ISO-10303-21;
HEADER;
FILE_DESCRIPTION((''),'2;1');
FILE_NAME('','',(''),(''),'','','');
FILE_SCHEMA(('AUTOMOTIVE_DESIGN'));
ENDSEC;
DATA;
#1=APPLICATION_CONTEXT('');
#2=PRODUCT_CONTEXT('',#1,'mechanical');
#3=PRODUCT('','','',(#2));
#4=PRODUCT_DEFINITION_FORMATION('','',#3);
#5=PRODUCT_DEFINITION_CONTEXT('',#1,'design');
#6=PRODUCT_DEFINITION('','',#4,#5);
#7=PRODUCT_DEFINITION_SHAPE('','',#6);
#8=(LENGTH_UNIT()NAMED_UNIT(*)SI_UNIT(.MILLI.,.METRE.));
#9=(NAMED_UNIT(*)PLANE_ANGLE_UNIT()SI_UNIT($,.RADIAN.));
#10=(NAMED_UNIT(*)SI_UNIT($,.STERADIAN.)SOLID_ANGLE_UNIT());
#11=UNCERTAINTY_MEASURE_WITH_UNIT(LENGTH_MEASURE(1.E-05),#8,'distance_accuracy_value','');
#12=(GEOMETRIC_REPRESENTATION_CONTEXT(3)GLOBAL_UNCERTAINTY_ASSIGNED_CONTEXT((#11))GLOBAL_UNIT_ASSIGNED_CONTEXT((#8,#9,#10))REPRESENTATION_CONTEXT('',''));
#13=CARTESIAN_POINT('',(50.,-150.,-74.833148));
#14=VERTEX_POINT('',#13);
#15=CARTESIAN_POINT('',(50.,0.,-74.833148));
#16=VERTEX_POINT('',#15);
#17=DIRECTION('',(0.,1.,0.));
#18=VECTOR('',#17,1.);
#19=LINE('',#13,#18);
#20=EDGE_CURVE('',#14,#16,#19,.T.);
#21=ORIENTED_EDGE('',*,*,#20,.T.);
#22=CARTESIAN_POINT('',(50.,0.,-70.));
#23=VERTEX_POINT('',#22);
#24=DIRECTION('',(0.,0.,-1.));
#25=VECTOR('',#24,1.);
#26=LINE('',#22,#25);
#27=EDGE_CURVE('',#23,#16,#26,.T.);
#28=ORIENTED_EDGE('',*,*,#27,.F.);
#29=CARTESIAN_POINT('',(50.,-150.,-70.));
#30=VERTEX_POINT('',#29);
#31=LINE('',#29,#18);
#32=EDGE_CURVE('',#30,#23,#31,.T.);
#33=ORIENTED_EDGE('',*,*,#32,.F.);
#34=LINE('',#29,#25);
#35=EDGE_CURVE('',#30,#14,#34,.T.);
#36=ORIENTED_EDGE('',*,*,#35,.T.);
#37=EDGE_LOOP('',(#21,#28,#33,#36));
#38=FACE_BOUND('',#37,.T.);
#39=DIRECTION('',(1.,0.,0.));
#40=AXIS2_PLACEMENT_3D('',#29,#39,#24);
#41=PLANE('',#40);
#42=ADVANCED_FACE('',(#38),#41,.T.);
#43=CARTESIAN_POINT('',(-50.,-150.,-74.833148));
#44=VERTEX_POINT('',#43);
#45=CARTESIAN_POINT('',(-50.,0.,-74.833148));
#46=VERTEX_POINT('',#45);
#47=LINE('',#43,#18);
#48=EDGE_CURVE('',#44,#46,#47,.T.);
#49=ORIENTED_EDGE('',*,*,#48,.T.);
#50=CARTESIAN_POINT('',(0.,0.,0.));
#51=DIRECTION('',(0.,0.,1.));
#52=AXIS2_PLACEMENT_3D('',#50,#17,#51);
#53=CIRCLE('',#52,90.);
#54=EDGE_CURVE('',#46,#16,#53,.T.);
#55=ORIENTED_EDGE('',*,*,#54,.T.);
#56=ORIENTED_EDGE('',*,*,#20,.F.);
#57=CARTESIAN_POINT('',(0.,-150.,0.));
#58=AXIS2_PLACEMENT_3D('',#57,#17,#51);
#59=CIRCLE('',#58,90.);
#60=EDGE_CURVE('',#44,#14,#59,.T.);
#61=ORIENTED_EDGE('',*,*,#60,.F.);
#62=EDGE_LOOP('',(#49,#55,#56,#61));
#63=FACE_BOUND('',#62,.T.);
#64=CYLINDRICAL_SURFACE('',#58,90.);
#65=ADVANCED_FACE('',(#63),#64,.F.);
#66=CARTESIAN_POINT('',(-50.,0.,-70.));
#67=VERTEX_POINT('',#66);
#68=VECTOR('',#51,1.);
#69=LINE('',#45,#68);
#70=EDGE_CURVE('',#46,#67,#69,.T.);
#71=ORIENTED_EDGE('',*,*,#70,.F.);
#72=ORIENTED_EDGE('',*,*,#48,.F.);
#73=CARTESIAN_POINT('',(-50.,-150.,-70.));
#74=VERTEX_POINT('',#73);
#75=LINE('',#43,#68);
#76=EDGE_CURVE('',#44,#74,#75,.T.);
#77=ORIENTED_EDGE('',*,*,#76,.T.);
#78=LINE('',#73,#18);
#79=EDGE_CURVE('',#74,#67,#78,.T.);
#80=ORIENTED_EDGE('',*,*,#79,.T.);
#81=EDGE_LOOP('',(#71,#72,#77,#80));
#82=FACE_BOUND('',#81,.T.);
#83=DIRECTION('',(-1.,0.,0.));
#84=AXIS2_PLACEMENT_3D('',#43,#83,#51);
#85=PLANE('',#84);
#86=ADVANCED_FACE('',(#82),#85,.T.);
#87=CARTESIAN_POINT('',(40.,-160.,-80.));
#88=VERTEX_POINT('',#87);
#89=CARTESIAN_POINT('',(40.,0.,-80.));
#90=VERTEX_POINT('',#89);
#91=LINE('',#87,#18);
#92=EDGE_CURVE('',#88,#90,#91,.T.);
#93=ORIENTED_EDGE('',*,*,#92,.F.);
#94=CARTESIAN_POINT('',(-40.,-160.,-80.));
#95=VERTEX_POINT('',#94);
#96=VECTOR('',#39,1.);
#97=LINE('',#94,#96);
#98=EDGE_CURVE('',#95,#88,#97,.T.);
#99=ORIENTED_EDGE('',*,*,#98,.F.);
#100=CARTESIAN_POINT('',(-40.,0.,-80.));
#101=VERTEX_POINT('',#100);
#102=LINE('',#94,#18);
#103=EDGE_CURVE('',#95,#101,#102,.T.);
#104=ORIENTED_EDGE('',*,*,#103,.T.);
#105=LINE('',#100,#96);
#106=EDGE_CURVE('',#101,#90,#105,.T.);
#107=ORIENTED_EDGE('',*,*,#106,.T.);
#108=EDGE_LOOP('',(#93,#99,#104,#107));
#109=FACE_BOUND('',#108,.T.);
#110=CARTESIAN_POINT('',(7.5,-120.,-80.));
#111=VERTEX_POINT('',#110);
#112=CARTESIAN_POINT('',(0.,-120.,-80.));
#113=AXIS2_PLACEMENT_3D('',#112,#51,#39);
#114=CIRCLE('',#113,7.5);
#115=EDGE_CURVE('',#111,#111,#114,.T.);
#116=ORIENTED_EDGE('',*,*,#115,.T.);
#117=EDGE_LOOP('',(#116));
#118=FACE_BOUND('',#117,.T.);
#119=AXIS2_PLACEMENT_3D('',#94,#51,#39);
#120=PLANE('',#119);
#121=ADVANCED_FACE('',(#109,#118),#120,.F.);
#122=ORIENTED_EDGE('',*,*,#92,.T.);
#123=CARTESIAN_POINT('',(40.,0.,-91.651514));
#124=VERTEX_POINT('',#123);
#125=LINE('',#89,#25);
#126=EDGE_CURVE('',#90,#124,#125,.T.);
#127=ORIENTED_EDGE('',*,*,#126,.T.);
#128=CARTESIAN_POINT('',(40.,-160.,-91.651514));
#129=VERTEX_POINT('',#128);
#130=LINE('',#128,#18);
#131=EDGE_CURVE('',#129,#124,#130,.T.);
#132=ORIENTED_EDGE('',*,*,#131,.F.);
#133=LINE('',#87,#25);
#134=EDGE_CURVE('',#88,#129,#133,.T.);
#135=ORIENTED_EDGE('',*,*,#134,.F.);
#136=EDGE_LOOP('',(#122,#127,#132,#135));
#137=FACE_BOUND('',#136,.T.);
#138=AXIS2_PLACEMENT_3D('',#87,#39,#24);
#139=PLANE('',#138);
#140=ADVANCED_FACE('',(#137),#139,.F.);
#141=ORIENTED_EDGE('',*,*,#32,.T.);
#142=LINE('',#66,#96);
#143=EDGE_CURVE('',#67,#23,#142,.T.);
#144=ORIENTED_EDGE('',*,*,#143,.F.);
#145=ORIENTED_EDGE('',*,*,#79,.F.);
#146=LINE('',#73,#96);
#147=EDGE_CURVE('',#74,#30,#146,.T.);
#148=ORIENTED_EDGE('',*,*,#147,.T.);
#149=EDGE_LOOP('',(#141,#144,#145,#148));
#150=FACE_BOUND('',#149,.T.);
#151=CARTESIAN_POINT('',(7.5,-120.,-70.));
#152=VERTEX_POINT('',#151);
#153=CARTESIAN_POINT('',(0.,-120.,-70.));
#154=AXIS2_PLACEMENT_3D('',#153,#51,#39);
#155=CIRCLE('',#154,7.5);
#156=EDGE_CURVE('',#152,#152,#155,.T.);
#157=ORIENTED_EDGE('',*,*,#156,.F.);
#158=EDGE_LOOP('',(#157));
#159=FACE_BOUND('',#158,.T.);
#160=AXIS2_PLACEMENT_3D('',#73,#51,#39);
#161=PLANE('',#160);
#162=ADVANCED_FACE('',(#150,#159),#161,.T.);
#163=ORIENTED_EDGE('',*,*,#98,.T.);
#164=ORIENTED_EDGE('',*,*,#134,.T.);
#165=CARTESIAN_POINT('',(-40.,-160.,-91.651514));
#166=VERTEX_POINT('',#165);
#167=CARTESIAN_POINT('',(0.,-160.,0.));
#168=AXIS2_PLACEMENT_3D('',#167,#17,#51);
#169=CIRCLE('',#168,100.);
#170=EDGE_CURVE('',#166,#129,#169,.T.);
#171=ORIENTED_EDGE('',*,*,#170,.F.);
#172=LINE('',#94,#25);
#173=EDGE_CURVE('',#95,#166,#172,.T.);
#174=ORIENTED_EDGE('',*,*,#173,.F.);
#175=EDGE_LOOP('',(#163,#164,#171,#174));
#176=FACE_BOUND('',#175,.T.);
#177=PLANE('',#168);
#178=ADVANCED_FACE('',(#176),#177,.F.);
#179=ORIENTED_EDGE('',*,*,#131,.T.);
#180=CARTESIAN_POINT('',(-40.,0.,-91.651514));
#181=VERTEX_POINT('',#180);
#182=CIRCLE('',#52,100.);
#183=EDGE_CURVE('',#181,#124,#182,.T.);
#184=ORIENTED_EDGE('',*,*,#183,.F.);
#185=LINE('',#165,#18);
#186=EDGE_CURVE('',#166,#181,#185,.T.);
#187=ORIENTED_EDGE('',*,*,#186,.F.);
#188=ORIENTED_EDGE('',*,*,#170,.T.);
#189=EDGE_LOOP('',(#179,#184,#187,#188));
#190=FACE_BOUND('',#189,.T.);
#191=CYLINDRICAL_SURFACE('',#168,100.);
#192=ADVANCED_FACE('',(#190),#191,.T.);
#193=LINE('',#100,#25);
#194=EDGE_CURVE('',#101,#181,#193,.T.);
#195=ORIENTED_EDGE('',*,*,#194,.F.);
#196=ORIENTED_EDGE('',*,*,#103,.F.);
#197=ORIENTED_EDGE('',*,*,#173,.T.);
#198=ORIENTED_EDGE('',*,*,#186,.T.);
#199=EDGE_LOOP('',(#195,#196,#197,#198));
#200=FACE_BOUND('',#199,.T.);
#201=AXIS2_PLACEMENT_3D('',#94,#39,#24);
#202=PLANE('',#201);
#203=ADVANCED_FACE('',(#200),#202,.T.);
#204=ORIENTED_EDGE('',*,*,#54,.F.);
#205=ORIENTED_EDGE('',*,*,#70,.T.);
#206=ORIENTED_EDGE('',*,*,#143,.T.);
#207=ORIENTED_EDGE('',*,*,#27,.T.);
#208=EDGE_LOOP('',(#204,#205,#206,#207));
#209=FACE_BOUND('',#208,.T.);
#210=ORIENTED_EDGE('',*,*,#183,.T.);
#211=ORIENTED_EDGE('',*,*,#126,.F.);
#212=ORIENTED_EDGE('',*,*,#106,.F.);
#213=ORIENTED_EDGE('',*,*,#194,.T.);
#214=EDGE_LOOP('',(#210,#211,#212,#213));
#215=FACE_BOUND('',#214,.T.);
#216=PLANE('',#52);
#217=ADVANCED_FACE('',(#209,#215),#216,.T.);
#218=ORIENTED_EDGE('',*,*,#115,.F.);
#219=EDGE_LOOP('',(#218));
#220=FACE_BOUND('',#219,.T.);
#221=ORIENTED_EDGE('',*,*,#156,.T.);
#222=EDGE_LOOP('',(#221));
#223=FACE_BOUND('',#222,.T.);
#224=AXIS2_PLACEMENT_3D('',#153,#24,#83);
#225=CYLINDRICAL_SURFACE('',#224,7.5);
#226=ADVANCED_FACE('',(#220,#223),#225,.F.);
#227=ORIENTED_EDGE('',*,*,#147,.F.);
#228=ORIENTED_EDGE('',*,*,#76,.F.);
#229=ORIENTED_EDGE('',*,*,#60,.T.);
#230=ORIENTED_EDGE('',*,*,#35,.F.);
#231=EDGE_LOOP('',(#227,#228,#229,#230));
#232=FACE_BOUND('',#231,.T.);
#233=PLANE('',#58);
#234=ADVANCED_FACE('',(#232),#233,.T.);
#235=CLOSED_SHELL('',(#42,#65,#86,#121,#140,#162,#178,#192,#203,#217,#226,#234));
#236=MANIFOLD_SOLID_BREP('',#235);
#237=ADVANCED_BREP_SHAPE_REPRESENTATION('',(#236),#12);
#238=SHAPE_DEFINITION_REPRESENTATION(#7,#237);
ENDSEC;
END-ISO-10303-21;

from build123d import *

# Parameters (mm, degrees)
BOSS_EXTRUDE2_DEPTH = 160
CUT_EXTRUDE1_DEPTH  = 150
SKETCH3_R           = 7.5
CUT_EXTRUDE2_DEPTH  = 10


with BuildPart() as part:
    # Sketch1 → Boss-Extrude2 (new body)
    with BuildSketch(Plane(origin=(0, 0, 0), x_dir=(1, 0, 0), z_dir=(0, 1, 0))):
        with BuildLine():
            Line((-40, 80), (40, 80))
            Line((40, 80), (40, 91.651513899))
            ThreePointArc((40, 91.651513899), (0, -100), (-40, 91.651513899))
            Line((-40, 91.651513899), (-40, 80))
        make_face()
    extrude(amount=-BOSS_EXTRUDE2_DEPTH)

    # Sketch2 → Cut-Extrude1 (cut)
    with BuildSketch(Plane(origin=(0, 0, 0), x_dir=(1, 0, 0), z_dir=(0, 1, 0))):
        with BuildLine():
            Line((-50, 74.833147735), (-50, 70))
            Line((-50, 70), (50, 70))
            Line((50, 70), (50, 74.833147735))
            ThreePointArc((50, 74.833147735), (0, -90), (-50, 74.833147735))
        make_face()
    extrude(amount=-CUT_EXTRUDE1_DEPTH, mode=Mode.SUBTRACT)

    # Sketch3 → Cut-Extrude2 (cut)
    with BuildSketch(Plane(origin=(0, 0, -80), x_dir=(-1, 0, 0), z_dir=(0, 0, -1))):
        with Locations(Location((0, -120, 0), (0, 0, 180))):
            Circle(SKETCH3_R)
    extrude(amount=-CUT_EXTRUDE2_DEPTH, mode=Mode.SUBTRACT)


solid = part.part
